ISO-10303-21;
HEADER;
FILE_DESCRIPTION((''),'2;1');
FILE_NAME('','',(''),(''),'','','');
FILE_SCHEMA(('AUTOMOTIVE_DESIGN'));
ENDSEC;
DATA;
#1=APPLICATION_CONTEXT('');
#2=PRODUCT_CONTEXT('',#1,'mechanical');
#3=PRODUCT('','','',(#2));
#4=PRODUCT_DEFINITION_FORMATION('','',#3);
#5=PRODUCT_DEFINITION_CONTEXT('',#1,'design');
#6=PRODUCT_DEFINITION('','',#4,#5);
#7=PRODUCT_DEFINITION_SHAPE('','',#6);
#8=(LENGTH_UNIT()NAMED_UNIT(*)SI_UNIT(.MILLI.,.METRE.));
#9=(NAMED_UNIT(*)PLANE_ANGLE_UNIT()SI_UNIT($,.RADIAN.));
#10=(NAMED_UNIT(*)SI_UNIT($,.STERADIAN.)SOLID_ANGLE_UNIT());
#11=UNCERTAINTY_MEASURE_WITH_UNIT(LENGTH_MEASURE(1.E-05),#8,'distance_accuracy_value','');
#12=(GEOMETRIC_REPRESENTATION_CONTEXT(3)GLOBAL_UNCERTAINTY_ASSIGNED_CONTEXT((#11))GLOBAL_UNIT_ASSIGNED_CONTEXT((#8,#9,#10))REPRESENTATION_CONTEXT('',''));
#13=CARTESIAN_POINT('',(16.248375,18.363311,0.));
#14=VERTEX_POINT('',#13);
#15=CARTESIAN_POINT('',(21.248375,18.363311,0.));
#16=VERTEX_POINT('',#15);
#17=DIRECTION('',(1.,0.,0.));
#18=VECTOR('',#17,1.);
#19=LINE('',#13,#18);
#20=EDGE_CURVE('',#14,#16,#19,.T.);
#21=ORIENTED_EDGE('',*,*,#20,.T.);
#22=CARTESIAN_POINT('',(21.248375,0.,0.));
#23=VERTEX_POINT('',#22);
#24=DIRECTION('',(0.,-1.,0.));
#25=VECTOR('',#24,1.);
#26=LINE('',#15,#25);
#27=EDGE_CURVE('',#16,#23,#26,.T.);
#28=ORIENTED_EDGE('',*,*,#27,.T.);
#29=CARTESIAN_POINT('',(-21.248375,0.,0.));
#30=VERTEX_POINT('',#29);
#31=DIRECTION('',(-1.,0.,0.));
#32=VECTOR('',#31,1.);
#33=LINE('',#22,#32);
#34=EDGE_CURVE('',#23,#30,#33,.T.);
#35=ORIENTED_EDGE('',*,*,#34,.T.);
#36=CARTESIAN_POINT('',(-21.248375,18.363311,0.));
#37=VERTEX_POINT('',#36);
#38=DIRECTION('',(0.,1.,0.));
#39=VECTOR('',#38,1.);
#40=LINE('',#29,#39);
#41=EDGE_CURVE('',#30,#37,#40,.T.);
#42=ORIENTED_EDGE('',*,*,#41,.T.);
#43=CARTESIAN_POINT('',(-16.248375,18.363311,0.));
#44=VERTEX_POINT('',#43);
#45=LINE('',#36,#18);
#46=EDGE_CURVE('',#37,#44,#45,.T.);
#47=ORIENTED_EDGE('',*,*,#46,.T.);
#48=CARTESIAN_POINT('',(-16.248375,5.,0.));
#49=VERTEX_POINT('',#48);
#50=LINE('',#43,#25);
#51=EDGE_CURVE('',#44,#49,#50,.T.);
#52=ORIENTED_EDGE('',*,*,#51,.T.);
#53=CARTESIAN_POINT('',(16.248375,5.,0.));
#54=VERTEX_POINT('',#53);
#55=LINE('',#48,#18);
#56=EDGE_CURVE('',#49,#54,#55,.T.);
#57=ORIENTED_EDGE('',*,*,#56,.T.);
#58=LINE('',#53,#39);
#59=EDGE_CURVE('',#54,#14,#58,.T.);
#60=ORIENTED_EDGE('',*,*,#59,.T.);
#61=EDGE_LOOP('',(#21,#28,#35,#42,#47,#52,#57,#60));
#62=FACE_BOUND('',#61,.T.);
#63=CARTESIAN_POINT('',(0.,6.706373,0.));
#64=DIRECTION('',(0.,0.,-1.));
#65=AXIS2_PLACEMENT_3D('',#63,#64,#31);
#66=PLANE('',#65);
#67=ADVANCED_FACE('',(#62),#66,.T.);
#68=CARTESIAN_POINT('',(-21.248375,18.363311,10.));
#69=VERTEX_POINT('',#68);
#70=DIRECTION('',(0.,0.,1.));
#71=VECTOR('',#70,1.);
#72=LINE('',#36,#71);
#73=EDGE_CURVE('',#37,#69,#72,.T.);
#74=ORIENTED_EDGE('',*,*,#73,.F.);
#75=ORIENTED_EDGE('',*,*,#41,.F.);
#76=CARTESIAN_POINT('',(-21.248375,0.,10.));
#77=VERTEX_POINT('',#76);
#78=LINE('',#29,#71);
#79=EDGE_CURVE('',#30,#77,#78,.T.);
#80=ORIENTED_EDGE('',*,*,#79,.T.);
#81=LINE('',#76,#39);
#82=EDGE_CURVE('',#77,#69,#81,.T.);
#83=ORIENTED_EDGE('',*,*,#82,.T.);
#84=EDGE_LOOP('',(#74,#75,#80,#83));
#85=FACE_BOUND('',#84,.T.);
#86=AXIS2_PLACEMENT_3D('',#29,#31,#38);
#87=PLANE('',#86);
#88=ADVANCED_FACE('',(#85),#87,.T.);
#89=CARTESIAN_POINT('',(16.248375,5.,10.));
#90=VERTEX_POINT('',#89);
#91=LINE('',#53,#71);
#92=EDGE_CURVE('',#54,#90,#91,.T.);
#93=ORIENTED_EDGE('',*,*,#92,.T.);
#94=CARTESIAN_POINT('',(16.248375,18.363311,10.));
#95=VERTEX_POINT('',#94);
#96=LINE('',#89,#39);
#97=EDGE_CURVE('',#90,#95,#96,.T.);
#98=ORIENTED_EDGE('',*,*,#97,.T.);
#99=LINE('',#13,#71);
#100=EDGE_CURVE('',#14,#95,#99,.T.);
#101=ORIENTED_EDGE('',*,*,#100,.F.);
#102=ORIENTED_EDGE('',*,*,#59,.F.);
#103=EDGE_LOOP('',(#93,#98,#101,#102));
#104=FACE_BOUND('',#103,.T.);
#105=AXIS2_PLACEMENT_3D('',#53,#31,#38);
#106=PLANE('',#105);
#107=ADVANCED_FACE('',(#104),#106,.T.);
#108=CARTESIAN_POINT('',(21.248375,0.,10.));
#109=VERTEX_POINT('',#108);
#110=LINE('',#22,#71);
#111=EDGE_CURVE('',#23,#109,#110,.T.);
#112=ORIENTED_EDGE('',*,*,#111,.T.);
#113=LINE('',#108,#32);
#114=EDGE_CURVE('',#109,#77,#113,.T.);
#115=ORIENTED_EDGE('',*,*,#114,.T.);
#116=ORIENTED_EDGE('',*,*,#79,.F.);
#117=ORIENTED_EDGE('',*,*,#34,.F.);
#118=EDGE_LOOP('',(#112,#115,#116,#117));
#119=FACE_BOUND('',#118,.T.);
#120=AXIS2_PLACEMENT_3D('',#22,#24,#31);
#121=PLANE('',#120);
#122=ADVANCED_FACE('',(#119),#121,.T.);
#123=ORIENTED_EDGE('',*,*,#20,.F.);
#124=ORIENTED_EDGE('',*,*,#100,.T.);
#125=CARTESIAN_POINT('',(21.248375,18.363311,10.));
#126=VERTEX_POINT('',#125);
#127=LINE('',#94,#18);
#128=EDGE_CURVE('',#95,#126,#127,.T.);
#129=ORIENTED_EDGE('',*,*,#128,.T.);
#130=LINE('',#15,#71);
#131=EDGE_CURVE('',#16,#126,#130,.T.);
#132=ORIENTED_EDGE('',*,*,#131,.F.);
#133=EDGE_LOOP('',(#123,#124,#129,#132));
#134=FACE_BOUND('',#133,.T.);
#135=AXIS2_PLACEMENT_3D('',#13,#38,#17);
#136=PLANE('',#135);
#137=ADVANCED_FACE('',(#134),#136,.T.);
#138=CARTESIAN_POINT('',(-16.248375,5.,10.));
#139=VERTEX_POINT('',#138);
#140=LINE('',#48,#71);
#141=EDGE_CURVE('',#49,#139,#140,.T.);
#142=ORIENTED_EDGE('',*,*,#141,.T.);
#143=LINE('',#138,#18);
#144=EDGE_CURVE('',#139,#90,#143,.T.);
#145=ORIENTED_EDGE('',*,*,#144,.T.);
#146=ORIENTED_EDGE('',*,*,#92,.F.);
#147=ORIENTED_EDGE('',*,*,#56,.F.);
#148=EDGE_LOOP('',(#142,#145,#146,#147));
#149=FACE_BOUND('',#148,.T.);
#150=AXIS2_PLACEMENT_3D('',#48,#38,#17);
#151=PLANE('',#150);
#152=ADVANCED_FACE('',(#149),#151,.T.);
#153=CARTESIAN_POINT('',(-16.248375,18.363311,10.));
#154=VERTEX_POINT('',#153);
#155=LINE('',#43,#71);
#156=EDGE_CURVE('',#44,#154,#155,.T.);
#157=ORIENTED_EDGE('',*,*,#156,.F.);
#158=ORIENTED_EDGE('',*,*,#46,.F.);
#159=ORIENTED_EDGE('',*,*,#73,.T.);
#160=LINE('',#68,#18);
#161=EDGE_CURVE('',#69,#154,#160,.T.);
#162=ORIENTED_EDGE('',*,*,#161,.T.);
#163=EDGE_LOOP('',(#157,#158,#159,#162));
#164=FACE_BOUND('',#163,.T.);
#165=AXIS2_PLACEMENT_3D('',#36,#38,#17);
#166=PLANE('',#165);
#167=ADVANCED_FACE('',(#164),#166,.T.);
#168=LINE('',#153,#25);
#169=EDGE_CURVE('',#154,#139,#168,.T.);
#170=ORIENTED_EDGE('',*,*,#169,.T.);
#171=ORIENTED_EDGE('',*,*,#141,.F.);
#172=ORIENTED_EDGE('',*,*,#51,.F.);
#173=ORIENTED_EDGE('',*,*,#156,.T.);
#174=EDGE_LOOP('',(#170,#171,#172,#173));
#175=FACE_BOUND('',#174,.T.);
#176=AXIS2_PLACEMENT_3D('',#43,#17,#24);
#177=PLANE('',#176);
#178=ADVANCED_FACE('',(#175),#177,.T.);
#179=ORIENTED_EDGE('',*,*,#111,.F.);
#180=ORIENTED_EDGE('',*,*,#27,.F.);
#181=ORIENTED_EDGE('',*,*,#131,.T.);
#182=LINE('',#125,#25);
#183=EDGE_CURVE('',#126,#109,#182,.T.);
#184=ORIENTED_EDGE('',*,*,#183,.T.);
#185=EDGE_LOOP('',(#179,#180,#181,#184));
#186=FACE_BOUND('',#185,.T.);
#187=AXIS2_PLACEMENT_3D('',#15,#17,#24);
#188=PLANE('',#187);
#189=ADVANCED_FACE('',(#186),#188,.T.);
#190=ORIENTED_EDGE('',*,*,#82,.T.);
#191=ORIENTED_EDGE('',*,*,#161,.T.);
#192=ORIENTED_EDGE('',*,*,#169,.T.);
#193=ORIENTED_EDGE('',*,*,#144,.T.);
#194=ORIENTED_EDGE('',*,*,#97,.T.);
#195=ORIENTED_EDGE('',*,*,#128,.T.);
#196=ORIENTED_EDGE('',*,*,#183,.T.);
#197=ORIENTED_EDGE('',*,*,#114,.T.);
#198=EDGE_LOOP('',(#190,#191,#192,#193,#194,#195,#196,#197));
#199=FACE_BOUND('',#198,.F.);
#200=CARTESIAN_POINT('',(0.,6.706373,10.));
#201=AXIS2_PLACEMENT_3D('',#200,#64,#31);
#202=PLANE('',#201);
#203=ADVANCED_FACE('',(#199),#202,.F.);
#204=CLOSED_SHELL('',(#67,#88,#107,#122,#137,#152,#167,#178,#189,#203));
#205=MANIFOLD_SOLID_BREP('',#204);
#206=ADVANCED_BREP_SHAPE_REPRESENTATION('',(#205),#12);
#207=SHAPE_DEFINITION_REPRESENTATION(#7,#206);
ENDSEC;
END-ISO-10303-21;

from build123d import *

# Parameters (mm, degrees)
PAD_DEPTH = 10


with BuildPart() as part:
    # Sketch → Pad (new body)
    with BuildSketch(Plane.XY):
        Polygon((-21.248375, 0), (-21.248375, 18.363311), (-16.248375, 18.363311), (-16.248375, 5), (16.248375, 5), (16.248375, 18.363311), (21.248375, 18.363311), (21.248375, 0), align=None)
    extrude(amount=PAD_DEPTH)


solid = part.part
